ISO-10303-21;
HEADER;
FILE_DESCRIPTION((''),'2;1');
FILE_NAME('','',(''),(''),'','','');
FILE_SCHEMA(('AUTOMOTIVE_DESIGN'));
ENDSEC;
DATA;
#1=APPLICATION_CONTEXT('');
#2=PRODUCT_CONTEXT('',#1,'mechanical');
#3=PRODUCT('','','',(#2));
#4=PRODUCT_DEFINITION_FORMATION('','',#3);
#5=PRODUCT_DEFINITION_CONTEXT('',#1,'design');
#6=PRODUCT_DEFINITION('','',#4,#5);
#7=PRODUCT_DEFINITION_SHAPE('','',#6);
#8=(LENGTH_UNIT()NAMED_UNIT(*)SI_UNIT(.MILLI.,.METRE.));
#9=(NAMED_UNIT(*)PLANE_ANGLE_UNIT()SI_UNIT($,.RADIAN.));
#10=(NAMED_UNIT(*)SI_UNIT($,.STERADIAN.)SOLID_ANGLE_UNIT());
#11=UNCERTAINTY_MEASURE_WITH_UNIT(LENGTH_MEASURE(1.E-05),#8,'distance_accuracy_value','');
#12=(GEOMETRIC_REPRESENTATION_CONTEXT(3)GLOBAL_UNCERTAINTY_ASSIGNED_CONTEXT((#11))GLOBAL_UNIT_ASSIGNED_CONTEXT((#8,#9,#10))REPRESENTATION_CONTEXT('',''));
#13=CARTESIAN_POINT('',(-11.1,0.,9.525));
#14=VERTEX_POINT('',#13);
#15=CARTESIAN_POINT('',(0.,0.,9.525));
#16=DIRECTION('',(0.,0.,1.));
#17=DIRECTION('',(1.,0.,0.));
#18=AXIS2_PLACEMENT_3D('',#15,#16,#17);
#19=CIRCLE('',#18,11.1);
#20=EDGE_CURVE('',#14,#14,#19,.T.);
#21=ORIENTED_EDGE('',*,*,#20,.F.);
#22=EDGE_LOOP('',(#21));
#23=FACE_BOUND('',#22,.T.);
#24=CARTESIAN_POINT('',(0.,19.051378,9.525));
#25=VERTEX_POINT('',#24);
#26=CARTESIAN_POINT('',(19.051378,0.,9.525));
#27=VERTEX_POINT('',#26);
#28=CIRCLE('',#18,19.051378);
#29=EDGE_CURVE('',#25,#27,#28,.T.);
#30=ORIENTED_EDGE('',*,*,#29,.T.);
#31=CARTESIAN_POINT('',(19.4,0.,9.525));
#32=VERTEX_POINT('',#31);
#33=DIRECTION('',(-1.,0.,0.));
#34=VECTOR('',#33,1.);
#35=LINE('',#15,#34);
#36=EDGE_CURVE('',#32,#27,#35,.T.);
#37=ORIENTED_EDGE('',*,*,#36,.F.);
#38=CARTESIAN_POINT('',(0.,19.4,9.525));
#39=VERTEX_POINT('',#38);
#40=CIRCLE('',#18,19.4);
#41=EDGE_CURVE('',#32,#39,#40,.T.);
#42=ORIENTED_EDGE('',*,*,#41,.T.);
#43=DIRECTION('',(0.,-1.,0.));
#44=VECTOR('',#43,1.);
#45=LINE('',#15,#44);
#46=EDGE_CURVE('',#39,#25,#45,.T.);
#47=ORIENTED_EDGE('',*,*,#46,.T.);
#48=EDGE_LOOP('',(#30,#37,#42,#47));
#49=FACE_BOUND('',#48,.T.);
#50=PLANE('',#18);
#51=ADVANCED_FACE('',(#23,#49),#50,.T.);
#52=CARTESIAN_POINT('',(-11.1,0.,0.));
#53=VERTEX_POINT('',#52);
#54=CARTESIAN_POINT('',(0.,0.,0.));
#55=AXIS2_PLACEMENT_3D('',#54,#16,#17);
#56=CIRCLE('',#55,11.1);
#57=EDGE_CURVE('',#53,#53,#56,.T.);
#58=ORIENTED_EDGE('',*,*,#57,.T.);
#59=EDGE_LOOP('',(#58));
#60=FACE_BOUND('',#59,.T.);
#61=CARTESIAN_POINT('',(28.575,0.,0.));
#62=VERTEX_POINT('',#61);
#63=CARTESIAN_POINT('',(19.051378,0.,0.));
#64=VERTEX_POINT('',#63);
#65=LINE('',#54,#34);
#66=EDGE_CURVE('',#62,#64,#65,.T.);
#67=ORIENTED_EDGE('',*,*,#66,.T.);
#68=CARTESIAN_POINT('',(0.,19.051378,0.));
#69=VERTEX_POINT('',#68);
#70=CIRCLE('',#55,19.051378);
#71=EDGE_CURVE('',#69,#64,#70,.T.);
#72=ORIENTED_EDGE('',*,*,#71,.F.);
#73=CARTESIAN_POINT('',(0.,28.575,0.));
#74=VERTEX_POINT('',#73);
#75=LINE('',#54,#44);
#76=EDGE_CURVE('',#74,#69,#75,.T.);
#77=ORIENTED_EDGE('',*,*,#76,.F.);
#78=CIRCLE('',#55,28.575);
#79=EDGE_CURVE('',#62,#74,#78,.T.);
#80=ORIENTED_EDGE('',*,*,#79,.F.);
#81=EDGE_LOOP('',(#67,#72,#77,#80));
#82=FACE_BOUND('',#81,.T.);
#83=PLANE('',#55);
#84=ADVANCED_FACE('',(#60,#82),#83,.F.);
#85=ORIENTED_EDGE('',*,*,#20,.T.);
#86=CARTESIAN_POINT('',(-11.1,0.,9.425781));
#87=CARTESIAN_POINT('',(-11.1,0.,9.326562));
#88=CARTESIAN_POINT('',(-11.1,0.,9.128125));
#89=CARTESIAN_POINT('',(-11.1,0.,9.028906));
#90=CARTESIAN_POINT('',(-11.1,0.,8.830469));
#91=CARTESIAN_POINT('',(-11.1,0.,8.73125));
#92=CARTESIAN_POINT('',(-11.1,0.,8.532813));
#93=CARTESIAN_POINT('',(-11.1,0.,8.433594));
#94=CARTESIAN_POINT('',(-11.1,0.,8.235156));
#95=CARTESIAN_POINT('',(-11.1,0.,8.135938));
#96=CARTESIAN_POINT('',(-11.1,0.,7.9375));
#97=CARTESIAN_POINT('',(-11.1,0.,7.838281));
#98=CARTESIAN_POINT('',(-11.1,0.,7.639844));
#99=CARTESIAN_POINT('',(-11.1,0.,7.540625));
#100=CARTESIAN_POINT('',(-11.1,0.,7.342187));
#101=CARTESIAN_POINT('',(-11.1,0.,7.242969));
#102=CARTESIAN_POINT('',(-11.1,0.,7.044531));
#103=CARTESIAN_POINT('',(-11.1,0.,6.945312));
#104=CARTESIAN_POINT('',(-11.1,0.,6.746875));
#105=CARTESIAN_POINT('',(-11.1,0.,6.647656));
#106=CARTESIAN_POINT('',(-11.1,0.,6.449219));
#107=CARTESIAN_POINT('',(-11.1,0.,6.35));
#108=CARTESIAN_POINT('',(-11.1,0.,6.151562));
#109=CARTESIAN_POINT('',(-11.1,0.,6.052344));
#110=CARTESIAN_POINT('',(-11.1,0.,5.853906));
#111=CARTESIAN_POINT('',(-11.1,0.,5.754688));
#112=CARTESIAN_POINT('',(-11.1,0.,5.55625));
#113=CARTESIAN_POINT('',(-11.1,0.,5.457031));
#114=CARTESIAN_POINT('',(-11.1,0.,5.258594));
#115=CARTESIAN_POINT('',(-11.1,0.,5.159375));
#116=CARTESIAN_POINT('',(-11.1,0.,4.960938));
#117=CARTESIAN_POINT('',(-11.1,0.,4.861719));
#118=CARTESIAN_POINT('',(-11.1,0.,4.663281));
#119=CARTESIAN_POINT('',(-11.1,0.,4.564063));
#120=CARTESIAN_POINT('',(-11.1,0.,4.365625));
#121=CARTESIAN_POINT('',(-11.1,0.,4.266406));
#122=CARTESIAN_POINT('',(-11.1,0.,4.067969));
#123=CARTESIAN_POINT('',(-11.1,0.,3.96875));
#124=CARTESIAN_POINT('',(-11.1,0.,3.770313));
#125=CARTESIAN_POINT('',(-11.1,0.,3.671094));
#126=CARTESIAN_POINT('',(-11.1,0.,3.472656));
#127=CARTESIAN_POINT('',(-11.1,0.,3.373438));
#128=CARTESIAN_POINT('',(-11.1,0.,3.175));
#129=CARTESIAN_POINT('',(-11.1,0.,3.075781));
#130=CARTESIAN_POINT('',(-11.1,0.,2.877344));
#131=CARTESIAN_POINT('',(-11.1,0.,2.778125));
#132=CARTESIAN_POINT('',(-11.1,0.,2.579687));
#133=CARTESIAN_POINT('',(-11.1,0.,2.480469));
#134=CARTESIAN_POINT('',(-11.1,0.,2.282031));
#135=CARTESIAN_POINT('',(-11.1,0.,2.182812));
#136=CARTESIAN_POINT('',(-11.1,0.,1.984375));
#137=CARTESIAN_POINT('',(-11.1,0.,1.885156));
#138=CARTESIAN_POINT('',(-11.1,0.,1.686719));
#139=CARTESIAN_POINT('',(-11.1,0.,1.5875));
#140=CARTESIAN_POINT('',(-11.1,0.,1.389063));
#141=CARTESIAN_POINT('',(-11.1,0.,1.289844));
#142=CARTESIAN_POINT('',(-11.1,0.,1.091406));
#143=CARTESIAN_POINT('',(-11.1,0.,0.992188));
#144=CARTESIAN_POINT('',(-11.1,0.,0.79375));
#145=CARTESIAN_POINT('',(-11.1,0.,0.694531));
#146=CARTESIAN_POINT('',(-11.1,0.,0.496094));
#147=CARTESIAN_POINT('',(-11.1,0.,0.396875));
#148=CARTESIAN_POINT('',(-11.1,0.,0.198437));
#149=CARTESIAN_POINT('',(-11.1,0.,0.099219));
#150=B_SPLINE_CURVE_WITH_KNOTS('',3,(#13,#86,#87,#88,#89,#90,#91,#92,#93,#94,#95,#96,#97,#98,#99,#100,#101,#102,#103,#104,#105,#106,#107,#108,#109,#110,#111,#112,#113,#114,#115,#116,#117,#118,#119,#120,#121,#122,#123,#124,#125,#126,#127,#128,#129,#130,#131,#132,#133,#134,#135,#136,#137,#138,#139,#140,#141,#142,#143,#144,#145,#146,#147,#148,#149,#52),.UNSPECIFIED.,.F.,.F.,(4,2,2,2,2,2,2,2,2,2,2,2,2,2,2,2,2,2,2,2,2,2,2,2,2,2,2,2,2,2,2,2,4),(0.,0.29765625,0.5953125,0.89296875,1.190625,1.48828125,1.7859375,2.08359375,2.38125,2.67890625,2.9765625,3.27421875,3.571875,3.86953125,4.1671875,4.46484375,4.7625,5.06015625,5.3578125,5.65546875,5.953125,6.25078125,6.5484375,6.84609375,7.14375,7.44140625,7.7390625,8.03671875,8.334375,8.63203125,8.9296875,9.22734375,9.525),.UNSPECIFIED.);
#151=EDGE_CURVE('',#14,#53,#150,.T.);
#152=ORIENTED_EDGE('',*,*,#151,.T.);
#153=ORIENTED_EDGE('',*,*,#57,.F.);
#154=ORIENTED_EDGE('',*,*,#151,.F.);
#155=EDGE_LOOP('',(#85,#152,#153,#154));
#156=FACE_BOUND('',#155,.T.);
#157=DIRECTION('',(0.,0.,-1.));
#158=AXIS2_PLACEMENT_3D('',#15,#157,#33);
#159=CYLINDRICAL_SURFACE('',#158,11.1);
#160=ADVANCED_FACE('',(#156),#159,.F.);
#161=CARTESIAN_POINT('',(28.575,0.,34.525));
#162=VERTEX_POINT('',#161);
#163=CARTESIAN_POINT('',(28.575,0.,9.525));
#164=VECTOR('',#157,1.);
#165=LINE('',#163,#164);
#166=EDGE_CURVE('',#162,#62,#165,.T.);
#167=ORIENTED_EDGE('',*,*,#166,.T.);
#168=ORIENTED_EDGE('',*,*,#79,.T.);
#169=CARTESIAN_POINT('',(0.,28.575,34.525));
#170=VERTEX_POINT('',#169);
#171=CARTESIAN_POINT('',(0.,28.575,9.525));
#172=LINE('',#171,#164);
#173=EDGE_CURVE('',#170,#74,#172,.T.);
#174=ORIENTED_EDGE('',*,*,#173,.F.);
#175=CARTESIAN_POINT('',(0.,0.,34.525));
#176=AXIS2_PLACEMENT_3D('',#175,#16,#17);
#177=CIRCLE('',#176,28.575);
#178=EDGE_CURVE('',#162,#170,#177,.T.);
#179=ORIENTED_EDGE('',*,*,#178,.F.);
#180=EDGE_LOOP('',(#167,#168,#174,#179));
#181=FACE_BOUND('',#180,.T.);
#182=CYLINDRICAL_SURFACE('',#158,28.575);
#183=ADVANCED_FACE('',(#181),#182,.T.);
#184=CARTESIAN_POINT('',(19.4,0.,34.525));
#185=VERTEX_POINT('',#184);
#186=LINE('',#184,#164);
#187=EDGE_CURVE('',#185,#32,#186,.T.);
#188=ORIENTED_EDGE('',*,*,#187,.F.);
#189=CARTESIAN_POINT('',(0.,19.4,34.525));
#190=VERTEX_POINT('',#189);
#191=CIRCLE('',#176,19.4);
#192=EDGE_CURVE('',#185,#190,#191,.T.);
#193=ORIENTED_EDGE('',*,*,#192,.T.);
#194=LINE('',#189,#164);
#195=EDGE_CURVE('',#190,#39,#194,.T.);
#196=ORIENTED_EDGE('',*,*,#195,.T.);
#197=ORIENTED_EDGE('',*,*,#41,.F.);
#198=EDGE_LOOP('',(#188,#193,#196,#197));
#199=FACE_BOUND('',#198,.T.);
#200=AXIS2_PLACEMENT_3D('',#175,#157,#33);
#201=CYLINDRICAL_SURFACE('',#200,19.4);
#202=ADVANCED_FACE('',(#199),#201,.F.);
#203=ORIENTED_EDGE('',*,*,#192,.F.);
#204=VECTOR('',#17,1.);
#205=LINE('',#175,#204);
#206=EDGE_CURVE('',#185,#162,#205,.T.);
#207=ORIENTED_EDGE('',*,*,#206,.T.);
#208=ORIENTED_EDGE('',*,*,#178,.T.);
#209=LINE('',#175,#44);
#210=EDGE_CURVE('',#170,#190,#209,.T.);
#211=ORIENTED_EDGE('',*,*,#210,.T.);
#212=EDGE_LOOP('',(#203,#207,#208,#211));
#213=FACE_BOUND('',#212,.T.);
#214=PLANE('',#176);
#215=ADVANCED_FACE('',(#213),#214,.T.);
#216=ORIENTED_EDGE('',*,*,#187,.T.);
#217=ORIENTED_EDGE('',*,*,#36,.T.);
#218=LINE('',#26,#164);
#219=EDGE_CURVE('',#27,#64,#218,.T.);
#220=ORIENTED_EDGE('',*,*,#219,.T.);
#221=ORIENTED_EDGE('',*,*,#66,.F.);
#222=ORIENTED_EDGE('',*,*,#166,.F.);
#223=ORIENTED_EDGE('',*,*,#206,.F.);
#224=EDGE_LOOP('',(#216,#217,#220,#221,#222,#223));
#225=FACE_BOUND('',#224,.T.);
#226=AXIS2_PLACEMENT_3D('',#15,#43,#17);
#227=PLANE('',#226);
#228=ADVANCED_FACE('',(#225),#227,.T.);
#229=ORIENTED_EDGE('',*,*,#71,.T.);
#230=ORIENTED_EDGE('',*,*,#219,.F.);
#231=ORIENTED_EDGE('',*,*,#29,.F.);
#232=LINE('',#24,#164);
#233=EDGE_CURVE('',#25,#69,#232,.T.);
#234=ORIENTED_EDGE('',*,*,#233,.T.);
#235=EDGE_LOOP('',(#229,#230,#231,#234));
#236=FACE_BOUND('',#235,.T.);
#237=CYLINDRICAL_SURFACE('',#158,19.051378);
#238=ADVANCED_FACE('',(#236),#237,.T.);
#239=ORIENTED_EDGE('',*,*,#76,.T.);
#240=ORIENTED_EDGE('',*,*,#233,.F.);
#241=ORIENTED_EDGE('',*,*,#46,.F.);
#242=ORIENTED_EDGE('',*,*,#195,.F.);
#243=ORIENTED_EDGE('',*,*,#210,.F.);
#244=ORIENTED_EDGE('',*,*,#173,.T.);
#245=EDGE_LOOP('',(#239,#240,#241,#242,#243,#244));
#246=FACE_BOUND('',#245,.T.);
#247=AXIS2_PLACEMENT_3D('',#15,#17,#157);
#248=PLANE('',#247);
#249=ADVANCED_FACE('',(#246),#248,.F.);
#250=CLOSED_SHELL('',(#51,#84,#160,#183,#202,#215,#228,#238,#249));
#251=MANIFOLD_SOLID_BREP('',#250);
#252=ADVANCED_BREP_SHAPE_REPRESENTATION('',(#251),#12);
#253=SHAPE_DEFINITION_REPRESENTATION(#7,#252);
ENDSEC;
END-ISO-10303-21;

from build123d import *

# Parameters (mm, degrees)
SKETCH1_R           = 11.1
BOSS_EXTRUDE5_DEPTH = 9.525
LEFT_SIDE_DEPTH     = 25


with BuildPart() as part:
    # Sketch1 → Boss-Extrude5 (new body)
    with BuildSketch(Plane.XY):
        with BuildLine():
            ThreePointArc((28.575, 0), (20.205576272, 20.205576272), (0, 28.575))
            Line((0, 28.575), (0, 19.051378432))
            ThreePointArc((0, 19.051378432), (-13.47135888, -13.47135888), (19.051378432, 0))
            Line((19.051378432, 0), (28.575, 0))
        make_face()
        with Locations(Location((0, 0, 0), (0, 0, 180))):
            Circle(SKETCH1_R, mode=Mode.SUBTRACT)
    extrude(amount=BOSS_EXTRUDE5_DEPTH)

    # Sketch3 → Left Side (add)
    with BuildSketch(Plane.XY.offset(9.525)):
        with BuildLine():
            Line((19.4, 0), (28.575, 0))
            ThreePointArc((28.575, 0), (20.205576272, 20.205576272), (0, 28.575))
            Line((0, 28.575), (0, 19.4))
            ThreePointArc((0, 19.4), (13.717871555, 13.717871555), (19.4, 0))
        make_face()
    extrude(amount=LEFT_SIDE_DEPTH)


solid = part.part
